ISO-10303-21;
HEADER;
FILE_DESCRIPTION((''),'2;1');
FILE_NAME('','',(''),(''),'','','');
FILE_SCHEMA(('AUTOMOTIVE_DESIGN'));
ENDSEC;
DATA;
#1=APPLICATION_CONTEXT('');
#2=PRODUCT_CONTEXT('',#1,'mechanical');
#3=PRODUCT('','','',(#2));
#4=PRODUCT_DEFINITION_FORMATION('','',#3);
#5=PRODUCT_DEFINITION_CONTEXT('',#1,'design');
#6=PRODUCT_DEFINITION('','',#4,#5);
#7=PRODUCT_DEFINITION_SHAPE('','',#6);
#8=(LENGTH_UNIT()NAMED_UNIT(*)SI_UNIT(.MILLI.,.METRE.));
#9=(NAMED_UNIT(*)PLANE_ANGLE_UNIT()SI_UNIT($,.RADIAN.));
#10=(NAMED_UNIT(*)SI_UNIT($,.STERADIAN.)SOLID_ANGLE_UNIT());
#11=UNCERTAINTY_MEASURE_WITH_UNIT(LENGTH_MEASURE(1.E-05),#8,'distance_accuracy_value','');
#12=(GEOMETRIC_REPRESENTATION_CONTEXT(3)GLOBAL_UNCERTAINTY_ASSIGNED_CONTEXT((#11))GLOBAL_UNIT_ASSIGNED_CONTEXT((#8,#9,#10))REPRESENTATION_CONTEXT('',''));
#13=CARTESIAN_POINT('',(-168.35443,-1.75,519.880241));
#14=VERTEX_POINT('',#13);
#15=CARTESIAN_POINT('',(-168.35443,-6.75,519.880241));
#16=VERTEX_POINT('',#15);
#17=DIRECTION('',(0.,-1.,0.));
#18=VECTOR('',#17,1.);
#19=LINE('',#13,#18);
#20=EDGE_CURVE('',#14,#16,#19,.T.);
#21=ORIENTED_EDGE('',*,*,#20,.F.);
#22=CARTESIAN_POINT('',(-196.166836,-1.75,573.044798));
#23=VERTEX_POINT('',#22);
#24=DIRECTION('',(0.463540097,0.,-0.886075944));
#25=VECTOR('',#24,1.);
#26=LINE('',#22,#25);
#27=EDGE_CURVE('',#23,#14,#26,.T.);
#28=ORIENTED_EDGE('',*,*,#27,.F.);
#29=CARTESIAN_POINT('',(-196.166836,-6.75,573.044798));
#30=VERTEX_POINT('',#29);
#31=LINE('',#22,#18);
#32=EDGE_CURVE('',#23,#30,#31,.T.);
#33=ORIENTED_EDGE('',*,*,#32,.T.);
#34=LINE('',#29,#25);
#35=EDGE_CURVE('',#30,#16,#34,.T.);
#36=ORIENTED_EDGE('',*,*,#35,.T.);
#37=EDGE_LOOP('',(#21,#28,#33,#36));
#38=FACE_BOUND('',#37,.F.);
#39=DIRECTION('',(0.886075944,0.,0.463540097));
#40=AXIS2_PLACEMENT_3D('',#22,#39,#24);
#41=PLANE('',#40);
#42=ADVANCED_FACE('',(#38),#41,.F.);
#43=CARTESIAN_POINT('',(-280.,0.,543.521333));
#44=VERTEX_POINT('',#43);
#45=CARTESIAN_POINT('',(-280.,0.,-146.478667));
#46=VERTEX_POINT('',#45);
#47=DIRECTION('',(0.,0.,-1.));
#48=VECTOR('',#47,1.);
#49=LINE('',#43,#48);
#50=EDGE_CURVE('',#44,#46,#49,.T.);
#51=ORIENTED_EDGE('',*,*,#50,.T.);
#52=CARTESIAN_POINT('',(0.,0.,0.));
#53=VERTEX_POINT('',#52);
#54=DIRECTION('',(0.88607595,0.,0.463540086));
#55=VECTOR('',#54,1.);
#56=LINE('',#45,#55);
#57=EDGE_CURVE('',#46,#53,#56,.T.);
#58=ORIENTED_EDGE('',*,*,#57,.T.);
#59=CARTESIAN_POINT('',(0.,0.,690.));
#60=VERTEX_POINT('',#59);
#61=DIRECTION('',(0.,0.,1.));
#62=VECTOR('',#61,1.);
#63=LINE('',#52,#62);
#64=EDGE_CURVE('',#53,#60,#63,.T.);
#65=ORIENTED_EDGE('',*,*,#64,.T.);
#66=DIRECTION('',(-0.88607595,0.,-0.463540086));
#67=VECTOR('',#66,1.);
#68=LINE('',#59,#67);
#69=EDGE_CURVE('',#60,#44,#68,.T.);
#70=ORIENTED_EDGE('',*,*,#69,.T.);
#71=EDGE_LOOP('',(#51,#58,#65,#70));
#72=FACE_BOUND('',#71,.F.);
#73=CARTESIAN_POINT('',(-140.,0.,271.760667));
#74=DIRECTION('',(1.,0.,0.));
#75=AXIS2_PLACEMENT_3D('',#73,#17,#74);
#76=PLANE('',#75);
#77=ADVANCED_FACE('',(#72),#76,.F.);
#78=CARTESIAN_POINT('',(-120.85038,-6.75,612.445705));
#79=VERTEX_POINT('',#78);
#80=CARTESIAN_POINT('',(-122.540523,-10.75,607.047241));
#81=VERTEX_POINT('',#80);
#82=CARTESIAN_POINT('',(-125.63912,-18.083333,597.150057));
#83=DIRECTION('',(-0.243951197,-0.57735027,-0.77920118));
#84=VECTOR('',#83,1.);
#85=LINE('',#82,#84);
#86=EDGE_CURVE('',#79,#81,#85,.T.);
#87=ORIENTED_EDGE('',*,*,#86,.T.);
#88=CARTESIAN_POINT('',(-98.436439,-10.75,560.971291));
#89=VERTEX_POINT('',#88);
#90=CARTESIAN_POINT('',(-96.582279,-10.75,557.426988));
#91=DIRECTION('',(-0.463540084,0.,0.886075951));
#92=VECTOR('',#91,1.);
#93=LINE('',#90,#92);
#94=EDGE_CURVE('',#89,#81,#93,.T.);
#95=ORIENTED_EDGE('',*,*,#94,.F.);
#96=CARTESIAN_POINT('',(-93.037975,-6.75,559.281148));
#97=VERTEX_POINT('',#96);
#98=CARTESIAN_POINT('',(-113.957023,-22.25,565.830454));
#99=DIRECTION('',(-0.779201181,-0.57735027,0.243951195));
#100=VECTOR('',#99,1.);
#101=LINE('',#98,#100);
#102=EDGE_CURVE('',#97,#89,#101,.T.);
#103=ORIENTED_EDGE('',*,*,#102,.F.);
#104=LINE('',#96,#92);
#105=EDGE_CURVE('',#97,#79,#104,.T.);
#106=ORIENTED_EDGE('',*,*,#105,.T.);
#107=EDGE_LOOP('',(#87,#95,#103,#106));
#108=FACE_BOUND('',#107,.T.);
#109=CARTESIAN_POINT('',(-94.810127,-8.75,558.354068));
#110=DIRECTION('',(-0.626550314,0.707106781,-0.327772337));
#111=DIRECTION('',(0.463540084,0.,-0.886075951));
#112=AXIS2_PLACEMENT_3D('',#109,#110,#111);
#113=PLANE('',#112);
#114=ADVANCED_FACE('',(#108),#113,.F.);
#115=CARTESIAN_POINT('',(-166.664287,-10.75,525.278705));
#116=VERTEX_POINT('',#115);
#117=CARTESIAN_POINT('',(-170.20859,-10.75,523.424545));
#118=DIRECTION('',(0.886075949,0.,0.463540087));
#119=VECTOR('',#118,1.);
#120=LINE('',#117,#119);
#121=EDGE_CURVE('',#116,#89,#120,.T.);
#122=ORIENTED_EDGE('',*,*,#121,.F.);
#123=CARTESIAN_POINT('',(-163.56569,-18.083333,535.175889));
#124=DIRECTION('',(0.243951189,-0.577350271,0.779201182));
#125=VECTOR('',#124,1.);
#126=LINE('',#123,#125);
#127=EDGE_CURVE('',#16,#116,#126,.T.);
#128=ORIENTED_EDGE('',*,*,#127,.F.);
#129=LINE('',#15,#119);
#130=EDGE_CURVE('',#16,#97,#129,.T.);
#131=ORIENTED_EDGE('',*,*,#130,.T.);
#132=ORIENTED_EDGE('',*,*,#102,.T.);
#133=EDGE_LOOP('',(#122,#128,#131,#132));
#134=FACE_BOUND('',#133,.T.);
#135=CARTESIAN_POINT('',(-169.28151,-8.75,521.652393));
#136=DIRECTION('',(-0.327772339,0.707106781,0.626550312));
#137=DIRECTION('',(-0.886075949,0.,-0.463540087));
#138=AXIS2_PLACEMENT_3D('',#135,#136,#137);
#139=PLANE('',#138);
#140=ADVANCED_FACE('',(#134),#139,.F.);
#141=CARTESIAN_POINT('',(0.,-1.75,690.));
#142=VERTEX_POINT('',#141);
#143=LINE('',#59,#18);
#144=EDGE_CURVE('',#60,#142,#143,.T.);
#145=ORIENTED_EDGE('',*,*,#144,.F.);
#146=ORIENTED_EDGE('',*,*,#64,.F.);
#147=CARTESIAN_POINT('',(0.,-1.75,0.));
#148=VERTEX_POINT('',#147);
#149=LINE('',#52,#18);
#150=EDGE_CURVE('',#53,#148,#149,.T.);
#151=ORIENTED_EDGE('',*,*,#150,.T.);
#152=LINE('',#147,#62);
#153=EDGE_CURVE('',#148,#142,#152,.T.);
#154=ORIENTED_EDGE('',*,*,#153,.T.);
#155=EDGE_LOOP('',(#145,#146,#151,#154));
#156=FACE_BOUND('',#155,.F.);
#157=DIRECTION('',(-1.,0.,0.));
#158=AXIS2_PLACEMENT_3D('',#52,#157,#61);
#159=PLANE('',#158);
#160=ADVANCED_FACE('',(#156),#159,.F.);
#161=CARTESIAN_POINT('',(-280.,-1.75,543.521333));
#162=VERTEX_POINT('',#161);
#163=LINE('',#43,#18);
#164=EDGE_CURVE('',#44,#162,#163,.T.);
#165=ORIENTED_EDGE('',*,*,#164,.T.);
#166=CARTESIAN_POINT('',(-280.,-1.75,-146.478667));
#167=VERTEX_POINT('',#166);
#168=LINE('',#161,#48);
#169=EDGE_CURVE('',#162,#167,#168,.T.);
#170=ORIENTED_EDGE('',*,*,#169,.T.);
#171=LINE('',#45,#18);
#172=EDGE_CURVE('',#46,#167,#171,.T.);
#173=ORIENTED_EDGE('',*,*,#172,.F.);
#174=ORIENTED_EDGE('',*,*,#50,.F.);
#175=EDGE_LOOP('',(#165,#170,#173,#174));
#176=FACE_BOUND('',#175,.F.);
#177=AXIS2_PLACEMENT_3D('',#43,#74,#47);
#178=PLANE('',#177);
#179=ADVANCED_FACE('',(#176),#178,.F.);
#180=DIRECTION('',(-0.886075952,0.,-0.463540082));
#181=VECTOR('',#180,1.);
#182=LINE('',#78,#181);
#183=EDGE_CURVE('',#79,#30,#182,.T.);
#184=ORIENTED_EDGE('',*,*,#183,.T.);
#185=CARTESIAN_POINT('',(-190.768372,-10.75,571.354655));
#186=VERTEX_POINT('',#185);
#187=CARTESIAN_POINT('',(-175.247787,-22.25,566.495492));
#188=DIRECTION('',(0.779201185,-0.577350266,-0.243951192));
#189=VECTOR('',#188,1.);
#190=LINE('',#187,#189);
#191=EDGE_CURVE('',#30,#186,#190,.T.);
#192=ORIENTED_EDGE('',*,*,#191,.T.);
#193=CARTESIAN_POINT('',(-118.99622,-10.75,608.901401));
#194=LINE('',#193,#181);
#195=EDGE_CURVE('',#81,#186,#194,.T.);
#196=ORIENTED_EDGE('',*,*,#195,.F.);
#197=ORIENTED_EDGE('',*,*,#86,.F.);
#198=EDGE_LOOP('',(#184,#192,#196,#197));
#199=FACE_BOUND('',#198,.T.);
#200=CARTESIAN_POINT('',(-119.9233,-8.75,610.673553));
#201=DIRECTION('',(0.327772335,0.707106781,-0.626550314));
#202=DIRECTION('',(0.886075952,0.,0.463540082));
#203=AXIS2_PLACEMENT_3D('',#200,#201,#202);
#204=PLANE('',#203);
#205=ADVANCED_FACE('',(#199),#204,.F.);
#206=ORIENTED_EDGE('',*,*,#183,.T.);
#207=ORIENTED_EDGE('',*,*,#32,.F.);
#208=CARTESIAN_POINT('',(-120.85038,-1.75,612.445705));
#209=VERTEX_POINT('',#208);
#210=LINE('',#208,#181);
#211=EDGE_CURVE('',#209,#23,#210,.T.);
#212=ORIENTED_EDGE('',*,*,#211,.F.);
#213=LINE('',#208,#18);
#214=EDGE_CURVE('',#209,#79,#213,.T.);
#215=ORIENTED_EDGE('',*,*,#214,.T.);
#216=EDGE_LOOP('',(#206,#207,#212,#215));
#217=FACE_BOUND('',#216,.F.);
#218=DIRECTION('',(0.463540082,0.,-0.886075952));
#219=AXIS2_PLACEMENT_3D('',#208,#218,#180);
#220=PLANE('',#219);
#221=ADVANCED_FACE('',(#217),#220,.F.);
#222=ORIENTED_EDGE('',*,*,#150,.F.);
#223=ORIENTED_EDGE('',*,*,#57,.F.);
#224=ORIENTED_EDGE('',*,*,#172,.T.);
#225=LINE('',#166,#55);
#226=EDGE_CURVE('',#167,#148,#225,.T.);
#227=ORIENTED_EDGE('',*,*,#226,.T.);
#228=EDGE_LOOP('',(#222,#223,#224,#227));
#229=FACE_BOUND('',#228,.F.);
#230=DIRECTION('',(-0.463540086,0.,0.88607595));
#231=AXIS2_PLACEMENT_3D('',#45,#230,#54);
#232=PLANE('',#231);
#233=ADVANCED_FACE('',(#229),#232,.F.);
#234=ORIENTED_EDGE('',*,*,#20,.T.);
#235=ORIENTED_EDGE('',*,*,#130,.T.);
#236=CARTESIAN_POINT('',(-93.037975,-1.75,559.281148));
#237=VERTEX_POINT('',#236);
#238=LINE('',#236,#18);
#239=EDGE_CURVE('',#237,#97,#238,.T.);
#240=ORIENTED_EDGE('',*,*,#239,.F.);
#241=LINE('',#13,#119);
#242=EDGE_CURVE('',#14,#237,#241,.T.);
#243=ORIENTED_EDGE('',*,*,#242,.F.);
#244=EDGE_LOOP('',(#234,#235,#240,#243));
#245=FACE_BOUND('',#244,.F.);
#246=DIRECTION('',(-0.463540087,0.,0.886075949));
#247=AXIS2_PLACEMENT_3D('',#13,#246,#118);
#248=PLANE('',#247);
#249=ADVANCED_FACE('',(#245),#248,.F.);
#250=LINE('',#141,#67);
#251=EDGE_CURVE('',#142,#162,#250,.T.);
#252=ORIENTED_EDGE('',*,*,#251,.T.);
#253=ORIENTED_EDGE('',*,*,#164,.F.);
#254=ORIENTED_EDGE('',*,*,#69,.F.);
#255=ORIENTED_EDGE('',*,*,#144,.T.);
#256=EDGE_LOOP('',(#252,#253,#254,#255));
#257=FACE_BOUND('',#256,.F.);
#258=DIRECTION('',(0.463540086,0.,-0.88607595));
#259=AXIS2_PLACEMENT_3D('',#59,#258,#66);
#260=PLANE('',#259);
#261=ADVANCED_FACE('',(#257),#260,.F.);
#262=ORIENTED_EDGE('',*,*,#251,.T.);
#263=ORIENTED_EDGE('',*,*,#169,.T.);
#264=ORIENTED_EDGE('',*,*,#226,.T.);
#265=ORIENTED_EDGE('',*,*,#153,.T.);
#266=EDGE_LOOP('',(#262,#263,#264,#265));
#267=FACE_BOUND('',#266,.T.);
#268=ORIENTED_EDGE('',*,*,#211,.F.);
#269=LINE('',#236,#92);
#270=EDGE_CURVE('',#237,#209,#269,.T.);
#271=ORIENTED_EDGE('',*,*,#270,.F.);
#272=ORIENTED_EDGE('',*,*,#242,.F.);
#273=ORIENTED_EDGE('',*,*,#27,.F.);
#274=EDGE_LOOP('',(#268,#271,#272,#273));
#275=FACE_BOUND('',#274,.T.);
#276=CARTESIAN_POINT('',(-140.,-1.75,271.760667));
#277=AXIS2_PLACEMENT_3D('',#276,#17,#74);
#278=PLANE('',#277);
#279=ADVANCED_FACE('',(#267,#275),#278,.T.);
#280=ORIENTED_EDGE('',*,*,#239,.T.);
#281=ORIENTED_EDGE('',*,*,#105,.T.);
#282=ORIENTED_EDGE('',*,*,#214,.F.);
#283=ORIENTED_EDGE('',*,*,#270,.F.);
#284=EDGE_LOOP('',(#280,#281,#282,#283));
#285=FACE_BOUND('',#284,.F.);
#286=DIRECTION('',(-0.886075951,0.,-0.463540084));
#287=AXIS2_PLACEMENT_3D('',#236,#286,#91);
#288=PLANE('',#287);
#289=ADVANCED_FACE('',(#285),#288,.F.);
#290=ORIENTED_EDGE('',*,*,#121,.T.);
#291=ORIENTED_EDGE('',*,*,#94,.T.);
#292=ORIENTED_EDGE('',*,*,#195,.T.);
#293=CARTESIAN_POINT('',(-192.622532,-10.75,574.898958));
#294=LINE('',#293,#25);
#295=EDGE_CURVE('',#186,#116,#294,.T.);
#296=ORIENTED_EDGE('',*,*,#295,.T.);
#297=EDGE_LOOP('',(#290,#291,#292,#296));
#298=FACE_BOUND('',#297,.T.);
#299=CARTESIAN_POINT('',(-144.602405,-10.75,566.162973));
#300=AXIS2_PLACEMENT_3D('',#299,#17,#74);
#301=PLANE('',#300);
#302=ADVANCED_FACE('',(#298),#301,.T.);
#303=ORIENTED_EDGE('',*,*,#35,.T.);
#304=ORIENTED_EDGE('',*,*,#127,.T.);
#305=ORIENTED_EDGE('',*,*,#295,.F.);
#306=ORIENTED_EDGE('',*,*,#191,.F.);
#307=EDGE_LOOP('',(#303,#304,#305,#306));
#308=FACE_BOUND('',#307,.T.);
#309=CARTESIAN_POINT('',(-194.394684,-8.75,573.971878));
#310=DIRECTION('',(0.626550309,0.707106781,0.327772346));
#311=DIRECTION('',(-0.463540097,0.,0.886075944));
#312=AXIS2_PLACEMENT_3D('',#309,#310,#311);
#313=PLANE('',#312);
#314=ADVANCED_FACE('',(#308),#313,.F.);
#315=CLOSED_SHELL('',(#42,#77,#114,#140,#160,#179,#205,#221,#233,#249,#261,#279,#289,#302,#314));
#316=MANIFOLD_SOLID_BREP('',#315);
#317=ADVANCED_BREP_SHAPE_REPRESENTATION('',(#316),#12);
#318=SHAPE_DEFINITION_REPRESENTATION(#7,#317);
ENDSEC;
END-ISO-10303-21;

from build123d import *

# Parameters (mm, degrees)
F1_DEPTH = 1.75
F3_DEPTH = 9
F4_SIZE  = 4


with BuildPart() as f1:
    # F0 (on Front) → F1 (new body)
    with BuildSketch(Plane.XZ):
        Polygon((0, 690), (-280, 543.521333), (-280, -146.478667), (0, 0), align=None)
    extrude(amount=F1_DEPTH)

    # F2 (on face) → F3 (join)
    with BuildSketch(Plane.XZ.offset(1.75)):
        Polygon((-120.85038, 612.445705), (-196.166836, 573.044798), (-168.35443, 519.880241), (-93.037975, 559.281148), align=None)
    extrude(amount=F3_DEPTH)

    # F4
    f4_edges = [f1.edges().sort_by_distance(p)[0] for p in [
        (-106.944177, -10.75, 585.863427),
        (-158.508608, -10.75, 592.745251),
        (-182.260633, -10.75, 546.462519),
        (-130.696203, -10.75, 539.580694),
    ]]
    chamfer(f4_edges, length=F4_SIZE)


solid = f1.part
